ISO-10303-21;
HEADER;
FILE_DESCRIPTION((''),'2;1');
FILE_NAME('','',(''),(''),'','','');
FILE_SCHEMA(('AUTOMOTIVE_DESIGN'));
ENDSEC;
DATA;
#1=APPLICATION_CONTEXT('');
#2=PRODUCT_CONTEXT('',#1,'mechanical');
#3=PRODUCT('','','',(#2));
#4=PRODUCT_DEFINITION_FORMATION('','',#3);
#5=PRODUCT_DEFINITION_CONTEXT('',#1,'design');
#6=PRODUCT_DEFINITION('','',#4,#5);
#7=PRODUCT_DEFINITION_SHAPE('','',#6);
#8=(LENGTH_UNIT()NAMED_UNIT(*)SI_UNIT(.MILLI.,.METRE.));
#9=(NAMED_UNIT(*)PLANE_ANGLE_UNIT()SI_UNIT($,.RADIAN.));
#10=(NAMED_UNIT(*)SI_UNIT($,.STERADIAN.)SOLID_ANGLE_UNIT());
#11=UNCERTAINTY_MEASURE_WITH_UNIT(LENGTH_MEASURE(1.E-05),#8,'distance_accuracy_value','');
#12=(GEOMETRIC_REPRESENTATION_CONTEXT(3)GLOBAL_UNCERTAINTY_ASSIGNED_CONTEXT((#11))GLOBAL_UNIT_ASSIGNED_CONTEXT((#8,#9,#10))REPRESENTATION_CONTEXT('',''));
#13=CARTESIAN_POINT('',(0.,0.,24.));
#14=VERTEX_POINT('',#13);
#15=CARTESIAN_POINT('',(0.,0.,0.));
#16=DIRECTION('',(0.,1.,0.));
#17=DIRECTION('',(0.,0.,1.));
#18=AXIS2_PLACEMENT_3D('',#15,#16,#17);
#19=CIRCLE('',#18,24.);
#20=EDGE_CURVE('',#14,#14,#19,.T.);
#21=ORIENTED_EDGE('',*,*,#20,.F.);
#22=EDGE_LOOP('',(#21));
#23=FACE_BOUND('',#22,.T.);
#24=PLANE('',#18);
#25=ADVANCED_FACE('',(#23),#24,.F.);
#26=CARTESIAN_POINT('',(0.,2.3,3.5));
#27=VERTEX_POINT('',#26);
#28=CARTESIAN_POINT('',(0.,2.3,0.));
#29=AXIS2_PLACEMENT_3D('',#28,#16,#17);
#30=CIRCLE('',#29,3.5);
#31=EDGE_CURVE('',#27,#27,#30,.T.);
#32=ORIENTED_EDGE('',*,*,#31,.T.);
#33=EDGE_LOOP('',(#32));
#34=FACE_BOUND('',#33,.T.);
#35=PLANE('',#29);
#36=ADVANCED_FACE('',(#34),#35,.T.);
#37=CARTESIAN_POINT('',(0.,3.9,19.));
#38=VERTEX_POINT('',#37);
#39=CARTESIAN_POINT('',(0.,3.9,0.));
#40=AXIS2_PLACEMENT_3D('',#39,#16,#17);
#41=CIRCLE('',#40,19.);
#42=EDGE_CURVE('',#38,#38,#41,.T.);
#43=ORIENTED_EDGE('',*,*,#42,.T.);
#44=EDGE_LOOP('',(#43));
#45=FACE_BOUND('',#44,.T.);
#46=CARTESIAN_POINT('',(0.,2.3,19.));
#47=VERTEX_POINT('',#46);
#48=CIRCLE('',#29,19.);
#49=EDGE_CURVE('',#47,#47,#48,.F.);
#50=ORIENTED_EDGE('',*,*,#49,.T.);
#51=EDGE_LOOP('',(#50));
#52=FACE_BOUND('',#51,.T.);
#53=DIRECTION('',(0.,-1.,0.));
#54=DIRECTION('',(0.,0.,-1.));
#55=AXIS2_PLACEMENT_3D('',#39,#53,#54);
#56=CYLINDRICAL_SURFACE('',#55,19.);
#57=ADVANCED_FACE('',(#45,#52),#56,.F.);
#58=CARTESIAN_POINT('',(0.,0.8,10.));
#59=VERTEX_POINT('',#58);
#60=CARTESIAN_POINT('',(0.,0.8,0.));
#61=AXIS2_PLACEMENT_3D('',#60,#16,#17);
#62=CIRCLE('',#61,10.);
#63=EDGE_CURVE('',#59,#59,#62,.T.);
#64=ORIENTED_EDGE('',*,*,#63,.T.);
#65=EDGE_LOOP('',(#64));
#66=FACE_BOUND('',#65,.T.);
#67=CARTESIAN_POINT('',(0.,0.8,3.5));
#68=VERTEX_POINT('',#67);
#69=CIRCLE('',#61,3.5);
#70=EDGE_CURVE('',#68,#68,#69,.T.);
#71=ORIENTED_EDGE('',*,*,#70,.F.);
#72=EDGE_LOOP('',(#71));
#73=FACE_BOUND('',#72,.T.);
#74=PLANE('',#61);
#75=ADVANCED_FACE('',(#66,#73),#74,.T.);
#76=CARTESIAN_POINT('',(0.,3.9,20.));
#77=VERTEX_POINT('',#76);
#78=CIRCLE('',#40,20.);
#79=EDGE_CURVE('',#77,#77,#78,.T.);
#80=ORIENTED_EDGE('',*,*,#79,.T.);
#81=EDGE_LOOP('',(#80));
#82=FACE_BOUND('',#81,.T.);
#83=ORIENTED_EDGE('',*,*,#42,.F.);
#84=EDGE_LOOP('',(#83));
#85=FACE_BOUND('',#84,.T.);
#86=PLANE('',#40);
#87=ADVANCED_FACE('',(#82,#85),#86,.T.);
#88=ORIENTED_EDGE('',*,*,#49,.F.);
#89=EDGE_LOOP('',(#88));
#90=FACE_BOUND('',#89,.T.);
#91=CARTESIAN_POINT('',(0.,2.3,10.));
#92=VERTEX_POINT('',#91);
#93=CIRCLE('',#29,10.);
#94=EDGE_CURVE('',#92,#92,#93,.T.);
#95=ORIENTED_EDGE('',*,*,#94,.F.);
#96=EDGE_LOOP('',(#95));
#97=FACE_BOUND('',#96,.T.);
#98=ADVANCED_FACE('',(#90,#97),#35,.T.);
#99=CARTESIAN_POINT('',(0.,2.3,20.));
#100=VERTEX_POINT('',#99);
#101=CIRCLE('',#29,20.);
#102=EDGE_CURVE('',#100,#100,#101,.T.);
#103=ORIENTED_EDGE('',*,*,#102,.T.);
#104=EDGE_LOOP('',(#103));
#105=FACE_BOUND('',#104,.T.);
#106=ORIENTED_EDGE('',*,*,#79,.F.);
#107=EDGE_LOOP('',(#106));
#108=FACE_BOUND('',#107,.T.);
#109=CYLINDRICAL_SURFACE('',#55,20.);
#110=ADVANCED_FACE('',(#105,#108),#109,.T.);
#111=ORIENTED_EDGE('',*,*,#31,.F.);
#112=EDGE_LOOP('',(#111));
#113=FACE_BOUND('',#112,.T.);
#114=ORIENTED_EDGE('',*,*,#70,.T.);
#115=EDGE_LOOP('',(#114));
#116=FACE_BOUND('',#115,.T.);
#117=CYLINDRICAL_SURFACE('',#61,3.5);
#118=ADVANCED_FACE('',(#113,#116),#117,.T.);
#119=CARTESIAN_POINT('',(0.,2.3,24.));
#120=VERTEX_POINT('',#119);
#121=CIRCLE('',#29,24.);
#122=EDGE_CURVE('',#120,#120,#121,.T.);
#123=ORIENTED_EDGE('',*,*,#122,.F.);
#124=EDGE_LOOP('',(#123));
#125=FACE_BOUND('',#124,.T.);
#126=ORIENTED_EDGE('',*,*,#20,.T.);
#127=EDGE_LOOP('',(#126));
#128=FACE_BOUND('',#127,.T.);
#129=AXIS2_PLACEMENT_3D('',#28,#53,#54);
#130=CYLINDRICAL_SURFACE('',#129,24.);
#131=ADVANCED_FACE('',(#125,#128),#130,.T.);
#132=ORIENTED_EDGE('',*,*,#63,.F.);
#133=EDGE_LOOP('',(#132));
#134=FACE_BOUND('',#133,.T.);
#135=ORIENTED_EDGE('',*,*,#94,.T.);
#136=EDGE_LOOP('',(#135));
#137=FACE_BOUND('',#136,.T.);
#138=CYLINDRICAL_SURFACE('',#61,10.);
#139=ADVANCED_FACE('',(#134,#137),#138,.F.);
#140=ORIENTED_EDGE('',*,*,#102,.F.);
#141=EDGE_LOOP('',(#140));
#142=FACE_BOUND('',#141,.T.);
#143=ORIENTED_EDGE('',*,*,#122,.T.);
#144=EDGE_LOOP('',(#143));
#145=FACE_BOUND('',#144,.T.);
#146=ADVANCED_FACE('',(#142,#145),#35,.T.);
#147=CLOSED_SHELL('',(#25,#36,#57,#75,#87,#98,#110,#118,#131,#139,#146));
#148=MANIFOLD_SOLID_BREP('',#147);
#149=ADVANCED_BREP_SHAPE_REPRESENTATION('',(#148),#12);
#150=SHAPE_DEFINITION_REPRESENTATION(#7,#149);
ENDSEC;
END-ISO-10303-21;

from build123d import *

# Parameters (mm, degrees)
SKETCH1_R           = 24
BOSS_EXTRUDE1_DEPTH = 2.3
SKETCH2_R           = 10
SKETCH2_R_2         = 3.5
CUT_EXTRUDE1_DEPTH  = 1.5
SKETCH3_R           = 20
SKETCH3_R_2         = 19
BOSS_EXTRUDE2_DEPTH = 1.6


with BuildPart() as part:
    # Sketch1 → Boss-Extrude1 (new body)
    with BuildSketch(Plane(origin=(0, 0, 0), x_dir=(1, 0, 0), z_dir=(0, 1, 0))):
        with Locations(Location((0, 0, 0), (0, 0, 270))):
            Circle(SKETCH1_R)
    extrude(amount=BOSS_EXTRUDE1_DEPTH)

    # Sketch2 → Cut-Extrude1 (cut)
    with BuildSketch(Plane(origin=(0, 2.3, 0), x_dir=(1, 0, 0), z_dir=(0, 1, 0))):
        with Locations(Location((0, 0, 0), (0, 0, 270))):
            Circle(SKETCH2_R)
        with Locations(Location((0, 0, 0), (0, 0, 270))):
            Circle(SKETCH2_R_2, mode=Mode.SUBTRACT)
    extrude(amount=-CUT_EXTRUDE1_DEPTH, mode=Mode.SUBTRACT)

    # Sketch3 → Boss-Extrude2 (add)
    with BuildSketch(Plane(origin=(0, 2.3, 0), x_dir=(1, 0, 0), z_dir=(0, 1, 0))):
        with Locations(Location((0, 0, 0), (0, 0, 270))):
            Circle(SKETCH3_R)
        with Locations(Location((0, 0, 0), (0, 0, 270))):
            Circle(SKETCH3_R_2, mode=Mode.SUBTRACT)
    extrude(amount=BOSS_EXTRUDE2_DEPTH)


solid = part.part
